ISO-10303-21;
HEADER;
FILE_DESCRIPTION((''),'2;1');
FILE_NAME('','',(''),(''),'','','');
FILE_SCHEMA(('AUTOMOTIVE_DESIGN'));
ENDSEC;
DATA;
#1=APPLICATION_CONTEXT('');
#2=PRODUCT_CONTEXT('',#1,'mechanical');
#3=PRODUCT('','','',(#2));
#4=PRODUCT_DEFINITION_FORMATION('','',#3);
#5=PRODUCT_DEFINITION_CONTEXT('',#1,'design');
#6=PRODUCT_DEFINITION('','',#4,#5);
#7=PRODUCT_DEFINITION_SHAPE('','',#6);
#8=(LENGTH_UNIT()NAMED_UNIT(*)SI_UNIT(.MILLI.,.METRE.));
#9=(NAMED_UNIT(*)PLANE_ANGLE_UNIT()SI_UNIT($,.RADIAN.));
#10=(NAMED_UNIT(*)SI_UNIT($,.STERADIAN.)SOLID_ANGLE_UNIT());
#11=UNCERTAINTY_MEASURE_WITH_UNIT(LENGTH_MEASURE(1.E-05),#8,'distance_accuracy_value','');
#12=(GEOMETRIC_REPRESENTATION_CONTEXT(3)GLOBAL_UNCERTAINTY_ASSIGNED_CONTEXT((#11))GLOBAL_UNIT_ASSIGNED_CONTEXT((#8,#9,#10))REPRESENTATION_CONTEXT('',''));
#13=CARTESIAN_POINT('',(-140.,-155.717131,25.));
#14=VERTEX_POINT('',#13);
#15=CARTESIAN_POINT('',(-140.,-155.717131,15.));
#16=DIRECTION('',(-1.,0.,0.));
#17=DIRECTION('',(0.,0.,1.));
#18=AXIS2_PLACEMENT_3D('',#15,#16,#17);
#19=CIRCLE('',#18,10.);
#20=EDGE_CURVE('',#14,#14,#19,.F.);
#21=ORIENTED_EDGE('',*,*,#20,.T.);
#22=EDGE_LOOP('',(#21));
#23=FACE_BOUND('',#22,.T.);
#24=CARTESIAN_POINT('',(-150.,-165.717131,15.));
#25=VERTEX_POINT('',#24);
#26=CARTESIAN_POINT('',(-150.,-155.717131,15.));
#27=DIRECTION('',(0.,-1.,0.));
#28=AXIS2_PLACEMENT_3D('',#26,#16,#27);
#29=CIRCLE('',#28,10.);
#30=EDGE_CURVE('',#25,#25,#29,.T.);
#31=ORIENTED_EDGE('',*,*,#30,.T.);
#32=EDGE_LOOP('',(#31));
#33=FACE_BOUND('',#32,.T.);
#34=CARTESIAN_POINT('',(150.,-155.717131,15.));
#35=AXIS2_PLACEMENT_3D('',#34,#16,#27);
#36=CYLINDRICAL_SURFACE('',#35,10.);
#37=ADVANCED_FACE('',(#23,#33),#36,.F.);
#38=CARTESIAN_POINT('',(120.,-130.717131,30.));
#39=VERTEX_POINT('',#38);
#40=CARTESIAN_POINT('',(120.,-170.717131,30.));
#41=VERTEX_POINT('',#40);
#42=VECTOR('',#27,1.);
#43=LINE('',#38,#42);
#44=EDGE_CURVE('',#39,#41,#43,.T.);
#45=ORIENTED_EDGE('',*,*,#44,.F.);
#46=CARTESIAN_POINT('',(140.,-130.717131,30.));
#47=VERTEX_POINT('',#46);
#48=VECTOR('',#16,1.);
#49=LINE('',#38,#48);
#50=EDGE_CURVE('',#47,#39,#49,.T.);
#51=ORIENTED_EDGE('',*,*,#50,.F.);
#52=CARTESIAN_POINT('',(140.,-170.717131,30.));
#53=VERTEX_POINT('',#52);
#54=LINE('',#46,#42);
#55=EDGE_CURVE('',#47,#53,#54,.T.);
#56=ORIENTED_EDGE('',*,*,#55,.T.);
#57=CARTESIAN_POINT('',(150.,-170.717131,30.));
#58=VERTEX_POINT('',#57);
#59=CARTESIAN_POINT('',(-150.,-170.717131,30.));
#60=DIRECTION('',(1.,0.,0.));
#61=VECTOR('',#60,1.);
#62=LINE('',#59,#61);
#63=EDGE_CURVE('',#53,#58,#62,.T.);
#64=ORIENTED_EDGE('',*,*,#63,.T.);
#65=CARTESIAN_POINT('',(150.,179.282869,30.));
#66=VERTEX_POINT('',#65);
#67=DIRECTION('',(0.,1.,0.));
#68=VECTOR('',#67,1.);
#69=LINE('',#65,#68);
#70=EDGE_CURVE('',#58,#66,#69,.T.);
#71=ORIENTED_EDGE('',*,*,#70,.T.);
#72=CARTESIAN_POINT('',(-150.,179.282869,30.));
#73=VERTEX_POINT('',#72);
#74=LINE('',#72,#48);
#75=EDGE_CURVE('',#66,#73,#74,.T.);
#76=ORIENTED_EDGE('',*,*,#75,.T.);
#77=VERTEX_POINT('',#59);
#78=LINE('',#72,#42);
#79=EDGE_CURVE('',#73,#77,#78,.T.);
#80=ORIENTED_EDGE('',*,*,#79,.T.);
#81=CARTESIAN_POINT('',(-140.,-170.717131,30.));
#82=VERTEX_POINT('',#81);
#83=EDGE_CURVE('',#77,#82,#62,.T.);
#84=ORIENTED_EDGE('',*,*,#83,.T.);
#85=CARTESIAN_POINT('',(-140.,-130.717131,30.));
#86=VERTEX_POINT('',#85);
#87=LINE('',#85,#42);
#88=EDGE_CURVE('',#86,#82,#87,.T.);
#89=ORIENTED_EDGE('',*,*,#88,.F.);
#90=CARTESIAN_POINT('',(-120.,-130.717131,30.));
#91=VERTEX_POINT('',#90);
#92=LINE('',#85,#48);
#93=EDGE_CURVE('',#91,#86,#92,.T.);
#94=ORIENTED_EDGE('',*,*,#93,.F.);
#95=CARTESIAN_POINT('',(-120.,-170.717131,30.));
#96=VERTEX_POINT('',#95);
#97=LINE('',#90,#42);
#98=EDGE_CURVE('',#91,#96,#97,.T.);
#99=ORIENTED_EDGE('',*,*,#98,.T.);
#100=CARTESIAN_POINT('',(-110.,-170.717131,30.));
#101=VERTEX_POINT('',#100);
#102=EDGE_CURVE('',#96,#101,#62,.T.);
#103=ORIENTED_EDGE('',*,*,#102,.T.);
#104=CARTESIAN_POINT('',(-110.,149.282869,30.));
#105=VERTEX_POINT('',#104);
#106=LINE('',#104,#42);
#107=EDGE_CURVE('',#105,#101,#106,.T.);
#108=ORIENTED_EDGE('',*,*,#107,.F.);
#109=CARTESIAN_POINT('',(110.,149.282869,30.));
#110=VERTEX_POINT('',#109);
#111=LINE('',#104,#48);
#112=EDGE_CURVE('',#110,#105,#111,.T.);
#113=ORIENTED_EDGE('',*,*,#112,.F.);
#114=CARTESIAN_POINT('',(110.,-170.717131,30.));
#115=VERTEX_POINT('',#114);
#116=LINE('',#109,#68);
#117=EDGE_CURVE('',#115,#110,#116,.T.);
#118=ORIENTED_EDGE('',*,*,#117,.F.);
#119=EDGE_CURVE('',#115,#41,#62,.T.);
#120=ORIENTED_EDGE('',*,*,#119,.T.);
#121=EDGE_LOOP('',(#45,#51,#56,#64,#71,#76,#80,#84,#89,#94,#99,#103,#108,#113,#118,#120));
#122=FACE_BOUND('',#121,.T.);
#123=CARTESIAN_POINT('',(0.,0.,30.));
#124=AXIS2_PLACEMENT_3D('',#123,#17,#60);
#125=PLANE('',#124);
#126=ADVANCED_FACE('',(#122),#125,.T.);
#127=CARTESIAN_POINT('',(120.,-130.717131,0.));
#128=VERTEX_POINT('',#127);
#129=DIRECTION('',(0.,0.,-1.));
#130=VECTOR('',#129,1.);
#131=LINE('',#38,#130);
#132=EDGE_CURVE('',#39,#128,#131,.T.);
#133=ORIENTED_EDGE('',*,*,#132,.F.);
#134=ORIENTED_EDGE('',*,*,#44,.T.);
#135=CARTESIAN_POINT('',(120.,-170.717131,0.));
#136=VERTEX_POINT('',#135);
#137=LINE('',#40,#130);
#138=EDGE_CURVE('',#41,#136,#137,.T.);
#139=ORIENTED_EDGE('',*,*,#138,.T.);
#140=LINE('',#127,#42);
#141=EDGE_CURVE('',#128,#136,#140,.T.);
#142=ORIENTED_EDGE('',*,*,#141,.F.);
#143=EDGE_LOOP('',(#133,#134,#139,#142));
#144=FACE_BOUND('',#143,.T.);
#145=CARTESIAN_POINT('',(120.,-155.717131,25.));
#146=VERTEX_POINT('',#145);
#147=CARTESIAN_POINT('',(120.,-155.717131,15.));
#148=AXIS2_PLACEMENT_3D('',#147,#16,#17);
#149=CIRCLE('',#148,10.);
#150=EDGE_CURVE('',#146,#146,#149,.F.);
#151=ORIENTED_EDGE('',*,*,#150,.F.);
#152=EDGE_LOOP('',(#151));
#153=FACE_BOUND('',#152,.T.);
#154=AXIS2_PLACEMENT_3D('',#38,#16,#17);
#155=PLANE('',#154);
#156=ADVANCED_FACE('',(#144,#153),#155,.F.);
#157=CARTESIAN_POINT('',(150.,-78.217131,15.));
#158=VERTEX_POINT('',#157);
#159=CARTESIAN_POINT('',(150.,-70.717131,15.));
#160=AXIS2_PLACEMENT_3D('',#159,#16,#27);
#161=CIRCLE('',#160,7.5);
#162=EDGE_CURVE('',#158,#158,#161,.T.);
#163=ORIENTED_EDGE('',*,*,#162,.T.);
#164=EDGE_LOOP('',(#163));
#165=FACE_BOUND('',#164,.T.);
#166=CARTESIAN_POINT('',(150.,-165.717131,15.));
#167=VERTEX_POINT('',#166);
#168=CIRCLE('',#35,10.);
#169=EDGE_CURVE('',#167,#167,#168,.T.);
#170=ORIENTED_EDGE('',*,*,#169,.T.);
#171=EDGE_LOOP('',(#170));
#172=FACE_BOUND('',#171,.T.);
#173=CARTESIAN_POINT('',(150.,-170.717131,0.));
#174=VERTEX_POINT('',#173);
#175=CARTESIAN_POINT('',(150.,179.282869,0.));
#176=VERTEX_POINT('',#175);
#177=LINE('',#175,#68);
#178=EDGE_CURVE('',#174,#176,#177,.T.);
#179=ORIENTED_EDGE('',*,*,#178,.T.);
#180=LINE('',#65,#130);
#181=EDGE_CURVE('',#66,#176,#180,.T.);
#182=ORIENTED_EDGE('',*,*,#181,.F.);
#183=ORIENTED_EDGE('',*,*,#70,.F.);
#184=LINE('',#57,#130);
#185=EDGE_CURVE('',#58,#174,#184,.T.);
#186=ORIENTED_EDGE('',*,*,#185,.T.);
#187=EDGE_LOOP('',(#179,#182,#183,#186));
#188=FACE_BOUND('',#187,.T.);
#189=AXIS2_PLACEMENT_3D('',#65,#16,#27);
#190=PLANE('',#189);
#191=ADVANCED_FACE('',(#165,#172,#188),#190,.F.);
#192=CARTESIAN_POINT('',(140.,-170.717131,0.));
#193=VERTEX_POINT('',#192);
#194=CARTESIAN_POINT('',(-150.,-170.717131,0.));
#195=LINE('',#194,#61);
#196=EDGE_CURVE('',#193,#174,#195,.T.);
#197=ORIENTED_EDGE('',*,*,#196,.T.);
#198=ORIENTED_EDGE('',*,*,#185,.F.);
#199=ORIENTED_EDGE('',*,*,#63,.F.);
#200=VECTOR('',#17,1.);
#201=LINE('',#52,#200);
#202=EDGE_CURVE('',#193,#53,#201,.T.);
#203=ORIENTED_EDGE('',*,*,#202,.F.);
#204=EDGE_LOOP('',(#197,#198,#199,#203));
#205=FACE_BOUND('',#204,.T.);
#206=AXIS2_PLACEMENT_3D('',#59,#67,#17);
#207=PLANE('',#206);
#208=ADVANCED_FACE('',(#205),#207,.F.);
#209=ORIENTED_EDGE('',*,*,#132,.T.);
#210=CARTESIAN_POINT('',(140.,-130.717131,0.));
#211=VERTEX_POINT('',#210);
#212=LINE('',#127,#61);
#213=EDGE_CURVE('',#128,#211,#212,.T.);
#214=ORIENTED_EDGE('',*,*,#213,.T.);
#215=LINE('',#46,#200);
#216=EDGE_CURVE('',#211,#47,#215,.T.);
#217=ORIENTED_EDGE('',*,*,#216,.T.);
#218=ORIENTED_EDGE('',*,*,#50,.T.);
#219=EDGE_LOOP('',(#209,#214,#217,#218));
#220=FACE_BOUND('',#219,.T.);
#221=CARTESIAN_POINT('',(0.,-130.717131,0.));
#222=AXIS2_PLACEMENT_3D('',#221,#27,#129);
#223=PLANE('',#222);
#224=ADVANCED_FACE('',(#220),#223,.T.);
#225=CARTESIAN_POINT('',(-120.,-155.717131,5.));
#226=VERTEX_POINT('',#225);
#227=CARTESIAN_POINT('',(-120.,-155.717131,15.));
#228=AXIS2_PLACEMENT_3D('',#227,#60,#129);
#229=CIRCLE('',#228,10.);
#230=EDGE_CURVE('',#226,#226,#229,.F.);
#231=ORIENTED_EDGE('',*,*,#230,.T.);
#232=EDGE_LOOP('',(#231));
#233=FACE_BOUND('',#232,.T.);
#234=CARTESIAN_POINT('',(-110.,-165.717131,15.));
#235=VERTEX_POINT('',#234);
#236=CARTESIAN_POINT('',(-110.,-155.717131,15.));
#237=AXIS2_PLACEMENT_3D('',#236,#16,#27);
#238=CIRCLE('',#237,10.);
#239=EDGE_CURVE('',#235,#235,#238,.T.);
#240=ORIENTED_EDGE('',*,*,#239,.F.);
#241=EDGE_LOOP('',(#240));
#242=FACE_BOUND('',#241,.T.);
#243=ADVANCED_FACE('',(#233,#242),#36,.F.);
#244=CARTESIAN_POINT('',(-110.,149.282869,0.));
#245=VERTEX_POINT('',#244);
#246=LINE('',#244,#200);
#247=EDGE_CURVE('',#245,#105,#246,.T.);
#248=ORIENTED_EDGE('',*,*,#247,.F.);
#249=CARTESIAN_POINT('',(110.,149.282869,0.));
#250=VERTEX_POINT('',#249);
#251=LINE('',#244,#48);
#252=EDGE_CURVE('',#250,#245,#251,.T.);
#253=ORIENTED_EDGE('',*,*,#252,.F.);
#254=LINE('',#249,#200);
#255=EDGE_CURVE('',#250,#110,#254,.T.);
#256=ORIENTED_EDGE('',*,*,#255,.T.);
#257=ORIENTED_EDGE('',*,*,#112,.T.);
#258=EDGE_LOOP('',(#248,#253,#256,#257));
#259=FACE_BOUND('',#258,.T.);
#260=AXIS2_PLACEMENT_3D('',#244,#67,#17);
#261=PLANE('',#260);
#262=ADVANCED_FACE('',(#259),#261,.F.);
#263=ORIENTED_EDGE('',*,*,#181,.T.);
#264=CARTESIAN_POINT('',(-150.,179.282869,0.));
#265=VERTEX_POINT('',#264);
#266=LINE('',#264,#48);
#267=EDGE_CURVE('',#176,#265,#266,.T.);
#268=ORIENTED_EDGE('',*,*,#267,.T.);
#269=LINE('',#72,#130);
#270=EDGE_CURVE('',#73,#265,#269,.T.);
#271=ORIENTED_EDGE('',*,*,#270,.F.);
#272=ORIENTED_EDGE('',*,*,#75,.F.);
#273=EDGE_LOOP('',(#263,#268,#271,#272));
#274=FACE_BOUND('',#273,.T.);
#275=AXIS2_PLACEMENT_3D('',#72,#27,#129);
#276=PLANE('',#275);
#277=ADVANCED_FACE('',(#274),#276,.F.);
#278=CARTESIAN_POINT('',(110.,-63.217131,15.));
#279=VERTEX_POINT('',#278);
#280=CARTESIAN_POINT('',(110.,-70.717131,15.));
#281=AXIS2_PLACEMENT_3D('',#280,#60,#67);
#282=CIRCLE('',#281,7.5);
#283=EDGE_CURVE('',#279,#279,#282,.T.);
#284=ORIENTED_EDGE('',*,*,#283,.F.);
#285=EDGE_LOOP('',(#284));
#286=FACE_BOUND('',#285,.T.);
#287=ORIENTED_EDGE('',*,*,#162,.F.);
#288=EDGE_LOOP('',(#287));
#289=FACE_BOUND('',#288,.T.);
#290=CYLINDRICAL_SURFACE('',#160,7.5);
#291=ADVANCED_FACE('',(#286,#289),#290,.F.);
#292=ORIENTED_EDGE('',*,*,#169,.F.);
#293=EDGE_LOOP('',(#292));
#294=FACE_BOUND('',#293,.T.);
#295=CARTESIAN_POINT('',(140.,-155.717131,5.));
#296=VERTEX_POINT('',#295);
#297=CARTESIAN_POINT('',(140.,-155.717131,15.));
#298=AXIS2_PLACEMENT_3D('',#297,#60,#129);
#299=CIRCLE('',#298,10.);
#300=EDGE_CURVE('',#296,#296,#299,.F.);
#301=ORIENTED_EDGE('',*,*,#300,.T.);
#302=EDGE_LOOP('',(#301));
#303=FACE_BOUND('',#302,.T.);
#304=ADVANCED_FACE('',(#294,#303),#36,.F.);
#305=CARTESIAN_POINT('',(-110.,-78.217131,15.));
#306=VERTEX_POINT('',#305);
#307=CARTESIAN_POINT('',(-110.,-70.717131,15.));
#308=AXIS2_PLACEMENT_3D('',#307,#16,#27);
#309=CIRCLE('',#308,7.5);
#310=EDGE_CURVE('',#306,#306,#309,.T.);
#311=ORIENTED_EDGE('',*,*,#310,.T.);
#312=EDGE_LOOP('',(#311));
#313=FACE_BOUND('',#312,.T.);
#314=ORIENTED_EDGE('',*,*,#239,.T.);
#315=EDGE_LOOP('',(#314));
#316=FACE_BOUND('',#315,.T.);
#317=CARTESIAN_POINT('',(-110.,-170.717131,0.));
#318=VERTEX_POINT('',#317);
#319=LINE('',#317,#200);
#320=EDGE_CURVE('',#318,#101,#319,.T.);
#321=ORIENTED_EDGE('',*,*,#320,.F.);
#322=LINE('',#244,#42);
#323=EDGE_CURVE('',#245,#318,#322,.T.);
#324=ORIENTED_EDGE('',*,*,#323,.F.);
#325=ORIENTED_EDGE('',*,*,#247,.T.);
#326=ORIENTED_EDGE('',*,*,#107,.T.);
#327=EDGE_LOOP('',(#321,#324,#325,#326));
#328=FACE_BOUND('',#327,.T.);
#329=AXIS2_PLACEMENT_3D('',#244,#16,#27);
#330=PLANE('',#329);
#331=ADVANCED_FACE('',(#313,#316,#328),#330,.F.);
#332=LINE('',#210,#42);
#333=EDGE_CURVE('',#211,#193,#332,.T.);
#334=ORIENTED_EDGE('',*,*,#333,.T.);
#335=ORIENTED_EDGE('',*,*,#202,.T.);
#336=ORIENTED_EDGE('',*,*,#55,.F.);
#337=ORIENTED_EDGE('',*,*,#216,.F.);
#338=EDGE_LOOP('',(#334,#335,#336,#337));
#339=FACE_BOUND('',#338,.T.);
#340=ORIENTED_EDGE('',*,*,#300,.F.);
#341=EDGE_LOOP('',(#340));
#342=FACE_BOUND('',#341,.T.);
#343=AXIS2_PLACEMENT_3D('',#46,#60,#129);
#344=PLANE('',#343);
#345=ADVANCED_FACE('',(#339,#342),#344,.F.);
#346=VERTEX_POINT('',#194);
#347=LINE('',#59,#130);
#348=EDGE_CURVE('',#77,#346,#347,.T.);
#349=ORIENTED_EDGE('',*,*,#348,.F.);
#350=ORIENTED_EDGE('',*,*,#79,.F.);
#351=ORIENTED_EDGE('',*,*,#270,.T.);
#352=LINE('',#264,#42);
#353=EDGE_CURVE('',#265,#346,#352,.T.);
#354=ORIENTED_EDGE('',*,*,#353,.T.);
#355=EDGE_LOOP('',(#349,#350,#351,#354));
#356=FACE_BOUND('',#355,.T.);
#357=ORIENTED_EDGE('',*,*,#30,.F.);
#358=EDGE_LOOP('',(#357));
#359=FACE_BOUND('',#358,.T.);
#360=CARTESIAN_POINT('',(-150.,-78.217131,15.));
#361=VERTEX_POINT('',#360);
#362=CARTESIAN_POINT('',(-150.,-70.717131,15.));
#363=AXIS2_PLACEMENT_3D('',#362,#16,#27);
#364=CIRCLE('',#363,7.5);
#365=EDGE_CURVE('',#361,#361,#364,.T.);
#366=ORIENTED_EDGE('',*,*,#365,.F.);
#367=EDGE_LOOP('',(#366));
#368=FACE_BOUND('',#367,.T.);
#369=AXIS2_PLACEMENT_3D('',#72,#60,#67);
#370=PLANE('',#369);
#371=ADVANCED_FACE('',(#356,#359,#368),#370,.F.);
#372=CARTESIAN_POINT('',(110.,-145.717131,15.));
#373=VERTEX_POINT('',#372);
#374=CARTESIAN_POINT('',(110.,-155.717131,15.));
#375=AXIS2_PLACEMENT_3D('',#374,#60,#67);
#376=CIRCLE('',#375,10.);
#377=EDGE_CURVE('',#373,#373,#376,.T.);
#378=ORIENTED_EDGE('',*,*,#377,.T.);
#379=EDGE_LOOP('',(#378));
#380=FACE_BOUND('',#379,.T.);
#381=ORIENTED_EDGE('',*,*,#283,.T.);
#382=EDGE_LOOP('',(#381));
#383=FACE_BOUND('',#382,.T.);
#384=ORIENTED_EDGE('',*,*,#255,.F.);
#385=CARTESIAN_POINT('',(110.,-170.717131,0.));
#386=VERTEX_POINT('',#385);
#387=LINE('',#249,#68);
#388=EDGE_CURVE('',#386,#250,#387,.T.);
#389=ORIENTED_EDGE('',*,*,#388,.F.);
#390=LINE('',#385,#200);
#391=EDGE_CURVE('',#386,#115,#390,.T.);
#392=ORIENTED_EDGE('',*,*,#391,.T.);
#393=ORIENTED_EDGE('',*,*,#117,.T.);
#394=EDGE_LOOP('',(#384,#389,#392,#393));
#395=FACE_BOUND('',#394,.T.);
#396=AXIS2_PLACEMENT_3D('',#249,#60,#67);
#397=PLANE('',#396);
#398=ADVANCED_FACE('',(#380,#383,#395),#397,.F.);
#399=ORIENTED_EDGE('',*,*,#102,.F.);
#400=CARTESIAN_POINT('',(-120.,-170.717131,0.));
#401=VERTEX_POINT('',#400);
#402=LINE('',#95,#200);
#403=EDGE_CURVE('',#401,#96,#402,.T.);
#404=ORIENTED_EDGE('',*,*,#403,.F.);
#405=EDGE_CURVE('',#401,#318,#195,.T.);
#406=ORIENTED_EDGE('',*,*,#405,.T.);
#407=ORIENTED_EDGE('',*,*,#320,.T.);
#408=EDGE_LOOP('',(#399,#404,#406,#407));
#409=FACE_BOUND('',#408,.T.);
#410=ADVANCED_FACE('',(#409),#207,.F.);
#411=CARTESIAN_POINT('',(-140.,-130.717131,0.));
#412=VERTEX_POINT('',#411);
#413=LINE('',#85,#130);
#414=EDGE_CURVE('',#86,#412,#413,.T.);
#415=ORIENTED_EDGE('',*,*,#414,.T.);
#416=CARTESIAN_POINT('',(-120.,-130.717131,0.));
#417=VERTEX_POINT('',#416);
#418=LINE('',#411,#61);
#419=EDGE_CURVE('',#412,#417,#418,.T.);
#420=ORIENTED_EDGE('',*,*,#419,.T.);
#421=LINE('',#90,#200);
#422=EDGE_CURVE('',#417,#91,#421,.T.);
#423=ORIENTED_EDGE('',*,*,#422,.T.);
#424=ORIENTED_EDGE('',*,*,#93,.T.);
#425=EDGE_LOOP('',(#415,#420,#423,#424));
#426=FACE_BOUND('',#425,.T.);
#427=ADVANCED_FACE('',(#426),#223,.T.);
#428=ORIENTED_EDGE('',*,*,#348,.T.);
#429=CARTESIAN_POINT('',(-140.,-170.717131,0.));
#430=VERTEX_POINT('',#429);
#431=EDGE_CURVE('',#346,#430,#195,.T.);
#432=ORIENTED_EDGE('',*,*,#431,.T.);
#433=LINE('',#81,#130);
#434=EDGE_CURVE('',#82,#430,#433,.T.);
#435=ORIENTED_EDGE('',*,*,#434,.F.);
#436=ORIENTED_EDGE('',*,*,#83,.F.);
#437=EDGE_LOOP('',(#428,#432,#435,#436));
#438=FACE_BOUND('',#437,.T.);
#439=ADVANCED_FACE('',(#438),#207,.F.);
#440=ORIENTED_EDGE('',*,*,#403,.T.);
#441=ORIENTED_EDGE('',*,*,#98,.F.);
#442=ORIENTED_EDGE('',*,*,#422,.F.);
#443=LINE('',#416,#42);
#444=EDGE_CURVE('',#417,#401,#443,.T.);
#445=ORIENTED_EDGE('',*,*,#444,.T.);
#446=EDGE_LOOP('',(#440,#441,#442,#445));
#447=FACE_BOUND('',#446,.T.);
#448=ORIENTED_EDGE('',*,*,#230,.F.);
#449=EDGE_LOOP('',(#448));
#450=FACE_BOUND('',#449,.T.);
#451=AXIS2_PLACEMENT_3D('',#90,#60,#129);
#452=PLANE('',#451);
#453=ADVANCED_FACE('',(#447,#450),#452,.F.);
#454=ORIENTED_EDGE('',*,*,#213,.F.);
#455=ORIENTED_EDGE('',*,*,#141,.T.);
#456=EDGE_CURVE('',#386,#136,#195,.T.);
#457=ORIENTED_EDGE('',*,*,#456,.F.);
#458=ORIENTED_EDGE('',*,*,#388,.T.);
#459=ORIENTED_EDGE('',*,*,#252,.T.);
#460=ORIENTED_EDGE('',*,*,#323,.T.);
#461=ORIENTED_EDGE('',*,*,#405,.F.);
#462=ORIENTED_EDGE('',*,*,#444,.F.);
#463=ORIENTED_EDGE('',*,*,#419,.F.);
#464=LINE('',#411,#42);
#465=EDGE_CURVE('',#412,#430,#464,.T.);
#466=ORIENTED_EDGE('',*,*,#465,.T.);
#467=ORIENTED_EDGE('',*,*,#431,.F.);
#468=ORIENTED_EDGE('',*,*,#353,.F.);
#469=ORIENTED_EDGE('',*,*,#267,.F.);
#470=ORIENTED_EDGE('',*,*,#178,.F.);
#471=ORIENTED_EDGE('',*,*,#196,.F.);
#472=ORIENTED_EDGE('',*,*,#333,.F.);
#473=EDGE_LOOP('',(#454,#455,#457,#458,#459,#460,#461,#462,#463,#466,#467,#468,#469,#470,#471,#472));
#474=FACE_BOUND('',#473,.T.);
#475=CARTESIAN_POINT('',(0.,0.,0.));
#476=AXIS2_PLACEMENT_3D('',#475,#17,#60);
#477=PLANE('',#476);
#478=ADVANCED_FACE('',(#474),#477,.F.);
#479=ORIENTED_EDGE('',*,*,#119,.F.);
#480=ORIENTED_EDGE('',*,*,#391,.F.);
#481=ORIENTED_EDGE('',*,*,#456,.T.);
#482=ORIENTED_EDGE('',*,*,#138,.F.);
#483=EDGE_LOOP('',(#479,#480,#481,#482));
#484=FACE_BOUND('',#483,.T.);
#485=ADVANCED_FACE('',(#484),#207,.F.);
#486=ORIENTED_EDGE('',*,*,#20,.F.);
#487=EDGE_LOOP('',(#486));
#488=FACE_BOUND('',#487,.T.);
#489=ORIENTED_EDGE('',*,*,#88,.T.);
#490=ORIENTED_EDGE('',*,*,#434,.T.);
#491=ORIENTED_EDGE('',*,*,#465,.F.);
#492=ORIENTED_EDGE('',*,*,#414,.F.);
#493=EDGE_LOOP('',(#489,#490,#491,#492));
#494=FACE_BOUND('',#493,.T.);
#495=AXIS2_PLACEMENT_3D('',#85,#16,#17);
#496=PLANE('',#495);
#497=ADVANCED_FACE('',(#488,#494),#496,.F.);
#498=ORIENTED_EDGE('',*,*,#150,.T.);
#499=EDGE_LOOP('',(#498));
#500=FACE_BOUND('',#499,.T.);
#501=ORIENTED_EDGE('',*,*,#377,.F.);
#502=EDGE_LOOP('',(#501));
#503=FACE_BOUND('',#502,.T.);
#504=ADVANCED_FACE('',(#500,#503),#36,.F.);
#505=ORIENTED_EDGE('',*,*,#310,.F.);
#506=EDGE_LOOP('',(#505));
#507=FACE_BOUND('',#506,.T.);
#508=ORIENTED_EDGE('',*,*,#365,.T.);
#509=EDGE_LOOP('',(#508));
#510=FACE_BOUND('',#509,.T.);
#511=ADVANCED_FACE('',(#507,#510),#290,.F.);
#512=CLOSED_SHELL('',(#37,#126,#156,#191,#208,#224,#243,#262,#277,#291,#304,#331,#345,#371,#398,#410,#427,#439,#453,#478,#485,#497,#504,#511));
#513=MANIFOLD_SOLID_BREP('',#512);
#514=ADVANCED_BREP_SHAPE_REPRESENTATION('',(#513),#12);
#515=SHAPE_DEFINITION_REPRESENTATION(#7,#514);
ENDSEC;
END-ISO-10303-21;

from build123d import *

# Parameters (mm, degrees)
SKETCH2_W           = 300
SKETCH2_H           = 350
BOSS_EXTRUDE1_DEPTH = 30
SKETCH3_W           = 220
SKETCH3_H           = 320
CUT_EXTRUDE1_DEPTH  = 236.67423904
SKETCH4_R           = 7.5
SKETCH4_R_2         = 10
CUT_EXTRUDE2_DEPTH  = 351.773925694
SKETCH7_W           = 20
SKETCH7_H           = 30
CUT_EXTRUDE3_DEPTH  = 40
SKETCH8_W           = 20
SKETCH8_H           = 30
CUT_EXTRUDE4_DEPTH  = 40


with BuildPart() as part:
    # Sketch2 → Boss-Extrude1 (new body)
    with BuildSketch(Plane.XY):
        with Locations((0, 4.282868526)):
            Rectangle(SKETCH2_W, SKETCH2_H)
    extrude(amount=BOSS_EXTRUDE1_DEPTH)

    # Sketch3 → Cut-Extrude1 (cut, through all)
    with BuildSketch(Plane.XY.offset(30)):
        with Locations((0, -10.717131474)):
            Rectangle(SKETCH3_W, SKETCH3_H)
    extrude(amount=-CUT_EXTRUDE1_DEPTH, mode=Mode.SUBTRACT)

    # Sketch4 → Cut-Extrude2 (cut, through all)
    with BuildSketch(Plane.ZY.offset(150)):
        with Locations(Location((15, -70.717131474, 0), (0, 0, 270))):
            Circle(SKETCH4_R)
        with Locations(Location((15, -155.717131474, 0), (0, 0, 270))):
            Circle(SKETCH4_R_2)
    extrude(amount=-CUT_EXTRUDE2_DEPTH, mode=Mode.SUBTRACT)

    # Sketch7 → Cut-Extrude3 (cut)
    with BuildSketch(Plane.XZ.offset(170.717131474)):
        with Locations((-130, 15)):
            Rectangle(SKETCH7_W, SKETCH7_H)
    extrude(amount=-CUT_EXTRUDE3_DEPTH, mode=Mode.SUBTRACT)

    # Sketch8 → Cut-Extrude4 (cut)
    with BuildSketch(Plane.XZ.offset(170.717131474)):
        with Locations((130, 15)):
            Rectangle(SKETCH8_W, SKETCH8_H)
    extrude(amount=-CUT_EXTRUDE4_DEPTH, mode=Mode.SUBTRACT)


solid = part.part
